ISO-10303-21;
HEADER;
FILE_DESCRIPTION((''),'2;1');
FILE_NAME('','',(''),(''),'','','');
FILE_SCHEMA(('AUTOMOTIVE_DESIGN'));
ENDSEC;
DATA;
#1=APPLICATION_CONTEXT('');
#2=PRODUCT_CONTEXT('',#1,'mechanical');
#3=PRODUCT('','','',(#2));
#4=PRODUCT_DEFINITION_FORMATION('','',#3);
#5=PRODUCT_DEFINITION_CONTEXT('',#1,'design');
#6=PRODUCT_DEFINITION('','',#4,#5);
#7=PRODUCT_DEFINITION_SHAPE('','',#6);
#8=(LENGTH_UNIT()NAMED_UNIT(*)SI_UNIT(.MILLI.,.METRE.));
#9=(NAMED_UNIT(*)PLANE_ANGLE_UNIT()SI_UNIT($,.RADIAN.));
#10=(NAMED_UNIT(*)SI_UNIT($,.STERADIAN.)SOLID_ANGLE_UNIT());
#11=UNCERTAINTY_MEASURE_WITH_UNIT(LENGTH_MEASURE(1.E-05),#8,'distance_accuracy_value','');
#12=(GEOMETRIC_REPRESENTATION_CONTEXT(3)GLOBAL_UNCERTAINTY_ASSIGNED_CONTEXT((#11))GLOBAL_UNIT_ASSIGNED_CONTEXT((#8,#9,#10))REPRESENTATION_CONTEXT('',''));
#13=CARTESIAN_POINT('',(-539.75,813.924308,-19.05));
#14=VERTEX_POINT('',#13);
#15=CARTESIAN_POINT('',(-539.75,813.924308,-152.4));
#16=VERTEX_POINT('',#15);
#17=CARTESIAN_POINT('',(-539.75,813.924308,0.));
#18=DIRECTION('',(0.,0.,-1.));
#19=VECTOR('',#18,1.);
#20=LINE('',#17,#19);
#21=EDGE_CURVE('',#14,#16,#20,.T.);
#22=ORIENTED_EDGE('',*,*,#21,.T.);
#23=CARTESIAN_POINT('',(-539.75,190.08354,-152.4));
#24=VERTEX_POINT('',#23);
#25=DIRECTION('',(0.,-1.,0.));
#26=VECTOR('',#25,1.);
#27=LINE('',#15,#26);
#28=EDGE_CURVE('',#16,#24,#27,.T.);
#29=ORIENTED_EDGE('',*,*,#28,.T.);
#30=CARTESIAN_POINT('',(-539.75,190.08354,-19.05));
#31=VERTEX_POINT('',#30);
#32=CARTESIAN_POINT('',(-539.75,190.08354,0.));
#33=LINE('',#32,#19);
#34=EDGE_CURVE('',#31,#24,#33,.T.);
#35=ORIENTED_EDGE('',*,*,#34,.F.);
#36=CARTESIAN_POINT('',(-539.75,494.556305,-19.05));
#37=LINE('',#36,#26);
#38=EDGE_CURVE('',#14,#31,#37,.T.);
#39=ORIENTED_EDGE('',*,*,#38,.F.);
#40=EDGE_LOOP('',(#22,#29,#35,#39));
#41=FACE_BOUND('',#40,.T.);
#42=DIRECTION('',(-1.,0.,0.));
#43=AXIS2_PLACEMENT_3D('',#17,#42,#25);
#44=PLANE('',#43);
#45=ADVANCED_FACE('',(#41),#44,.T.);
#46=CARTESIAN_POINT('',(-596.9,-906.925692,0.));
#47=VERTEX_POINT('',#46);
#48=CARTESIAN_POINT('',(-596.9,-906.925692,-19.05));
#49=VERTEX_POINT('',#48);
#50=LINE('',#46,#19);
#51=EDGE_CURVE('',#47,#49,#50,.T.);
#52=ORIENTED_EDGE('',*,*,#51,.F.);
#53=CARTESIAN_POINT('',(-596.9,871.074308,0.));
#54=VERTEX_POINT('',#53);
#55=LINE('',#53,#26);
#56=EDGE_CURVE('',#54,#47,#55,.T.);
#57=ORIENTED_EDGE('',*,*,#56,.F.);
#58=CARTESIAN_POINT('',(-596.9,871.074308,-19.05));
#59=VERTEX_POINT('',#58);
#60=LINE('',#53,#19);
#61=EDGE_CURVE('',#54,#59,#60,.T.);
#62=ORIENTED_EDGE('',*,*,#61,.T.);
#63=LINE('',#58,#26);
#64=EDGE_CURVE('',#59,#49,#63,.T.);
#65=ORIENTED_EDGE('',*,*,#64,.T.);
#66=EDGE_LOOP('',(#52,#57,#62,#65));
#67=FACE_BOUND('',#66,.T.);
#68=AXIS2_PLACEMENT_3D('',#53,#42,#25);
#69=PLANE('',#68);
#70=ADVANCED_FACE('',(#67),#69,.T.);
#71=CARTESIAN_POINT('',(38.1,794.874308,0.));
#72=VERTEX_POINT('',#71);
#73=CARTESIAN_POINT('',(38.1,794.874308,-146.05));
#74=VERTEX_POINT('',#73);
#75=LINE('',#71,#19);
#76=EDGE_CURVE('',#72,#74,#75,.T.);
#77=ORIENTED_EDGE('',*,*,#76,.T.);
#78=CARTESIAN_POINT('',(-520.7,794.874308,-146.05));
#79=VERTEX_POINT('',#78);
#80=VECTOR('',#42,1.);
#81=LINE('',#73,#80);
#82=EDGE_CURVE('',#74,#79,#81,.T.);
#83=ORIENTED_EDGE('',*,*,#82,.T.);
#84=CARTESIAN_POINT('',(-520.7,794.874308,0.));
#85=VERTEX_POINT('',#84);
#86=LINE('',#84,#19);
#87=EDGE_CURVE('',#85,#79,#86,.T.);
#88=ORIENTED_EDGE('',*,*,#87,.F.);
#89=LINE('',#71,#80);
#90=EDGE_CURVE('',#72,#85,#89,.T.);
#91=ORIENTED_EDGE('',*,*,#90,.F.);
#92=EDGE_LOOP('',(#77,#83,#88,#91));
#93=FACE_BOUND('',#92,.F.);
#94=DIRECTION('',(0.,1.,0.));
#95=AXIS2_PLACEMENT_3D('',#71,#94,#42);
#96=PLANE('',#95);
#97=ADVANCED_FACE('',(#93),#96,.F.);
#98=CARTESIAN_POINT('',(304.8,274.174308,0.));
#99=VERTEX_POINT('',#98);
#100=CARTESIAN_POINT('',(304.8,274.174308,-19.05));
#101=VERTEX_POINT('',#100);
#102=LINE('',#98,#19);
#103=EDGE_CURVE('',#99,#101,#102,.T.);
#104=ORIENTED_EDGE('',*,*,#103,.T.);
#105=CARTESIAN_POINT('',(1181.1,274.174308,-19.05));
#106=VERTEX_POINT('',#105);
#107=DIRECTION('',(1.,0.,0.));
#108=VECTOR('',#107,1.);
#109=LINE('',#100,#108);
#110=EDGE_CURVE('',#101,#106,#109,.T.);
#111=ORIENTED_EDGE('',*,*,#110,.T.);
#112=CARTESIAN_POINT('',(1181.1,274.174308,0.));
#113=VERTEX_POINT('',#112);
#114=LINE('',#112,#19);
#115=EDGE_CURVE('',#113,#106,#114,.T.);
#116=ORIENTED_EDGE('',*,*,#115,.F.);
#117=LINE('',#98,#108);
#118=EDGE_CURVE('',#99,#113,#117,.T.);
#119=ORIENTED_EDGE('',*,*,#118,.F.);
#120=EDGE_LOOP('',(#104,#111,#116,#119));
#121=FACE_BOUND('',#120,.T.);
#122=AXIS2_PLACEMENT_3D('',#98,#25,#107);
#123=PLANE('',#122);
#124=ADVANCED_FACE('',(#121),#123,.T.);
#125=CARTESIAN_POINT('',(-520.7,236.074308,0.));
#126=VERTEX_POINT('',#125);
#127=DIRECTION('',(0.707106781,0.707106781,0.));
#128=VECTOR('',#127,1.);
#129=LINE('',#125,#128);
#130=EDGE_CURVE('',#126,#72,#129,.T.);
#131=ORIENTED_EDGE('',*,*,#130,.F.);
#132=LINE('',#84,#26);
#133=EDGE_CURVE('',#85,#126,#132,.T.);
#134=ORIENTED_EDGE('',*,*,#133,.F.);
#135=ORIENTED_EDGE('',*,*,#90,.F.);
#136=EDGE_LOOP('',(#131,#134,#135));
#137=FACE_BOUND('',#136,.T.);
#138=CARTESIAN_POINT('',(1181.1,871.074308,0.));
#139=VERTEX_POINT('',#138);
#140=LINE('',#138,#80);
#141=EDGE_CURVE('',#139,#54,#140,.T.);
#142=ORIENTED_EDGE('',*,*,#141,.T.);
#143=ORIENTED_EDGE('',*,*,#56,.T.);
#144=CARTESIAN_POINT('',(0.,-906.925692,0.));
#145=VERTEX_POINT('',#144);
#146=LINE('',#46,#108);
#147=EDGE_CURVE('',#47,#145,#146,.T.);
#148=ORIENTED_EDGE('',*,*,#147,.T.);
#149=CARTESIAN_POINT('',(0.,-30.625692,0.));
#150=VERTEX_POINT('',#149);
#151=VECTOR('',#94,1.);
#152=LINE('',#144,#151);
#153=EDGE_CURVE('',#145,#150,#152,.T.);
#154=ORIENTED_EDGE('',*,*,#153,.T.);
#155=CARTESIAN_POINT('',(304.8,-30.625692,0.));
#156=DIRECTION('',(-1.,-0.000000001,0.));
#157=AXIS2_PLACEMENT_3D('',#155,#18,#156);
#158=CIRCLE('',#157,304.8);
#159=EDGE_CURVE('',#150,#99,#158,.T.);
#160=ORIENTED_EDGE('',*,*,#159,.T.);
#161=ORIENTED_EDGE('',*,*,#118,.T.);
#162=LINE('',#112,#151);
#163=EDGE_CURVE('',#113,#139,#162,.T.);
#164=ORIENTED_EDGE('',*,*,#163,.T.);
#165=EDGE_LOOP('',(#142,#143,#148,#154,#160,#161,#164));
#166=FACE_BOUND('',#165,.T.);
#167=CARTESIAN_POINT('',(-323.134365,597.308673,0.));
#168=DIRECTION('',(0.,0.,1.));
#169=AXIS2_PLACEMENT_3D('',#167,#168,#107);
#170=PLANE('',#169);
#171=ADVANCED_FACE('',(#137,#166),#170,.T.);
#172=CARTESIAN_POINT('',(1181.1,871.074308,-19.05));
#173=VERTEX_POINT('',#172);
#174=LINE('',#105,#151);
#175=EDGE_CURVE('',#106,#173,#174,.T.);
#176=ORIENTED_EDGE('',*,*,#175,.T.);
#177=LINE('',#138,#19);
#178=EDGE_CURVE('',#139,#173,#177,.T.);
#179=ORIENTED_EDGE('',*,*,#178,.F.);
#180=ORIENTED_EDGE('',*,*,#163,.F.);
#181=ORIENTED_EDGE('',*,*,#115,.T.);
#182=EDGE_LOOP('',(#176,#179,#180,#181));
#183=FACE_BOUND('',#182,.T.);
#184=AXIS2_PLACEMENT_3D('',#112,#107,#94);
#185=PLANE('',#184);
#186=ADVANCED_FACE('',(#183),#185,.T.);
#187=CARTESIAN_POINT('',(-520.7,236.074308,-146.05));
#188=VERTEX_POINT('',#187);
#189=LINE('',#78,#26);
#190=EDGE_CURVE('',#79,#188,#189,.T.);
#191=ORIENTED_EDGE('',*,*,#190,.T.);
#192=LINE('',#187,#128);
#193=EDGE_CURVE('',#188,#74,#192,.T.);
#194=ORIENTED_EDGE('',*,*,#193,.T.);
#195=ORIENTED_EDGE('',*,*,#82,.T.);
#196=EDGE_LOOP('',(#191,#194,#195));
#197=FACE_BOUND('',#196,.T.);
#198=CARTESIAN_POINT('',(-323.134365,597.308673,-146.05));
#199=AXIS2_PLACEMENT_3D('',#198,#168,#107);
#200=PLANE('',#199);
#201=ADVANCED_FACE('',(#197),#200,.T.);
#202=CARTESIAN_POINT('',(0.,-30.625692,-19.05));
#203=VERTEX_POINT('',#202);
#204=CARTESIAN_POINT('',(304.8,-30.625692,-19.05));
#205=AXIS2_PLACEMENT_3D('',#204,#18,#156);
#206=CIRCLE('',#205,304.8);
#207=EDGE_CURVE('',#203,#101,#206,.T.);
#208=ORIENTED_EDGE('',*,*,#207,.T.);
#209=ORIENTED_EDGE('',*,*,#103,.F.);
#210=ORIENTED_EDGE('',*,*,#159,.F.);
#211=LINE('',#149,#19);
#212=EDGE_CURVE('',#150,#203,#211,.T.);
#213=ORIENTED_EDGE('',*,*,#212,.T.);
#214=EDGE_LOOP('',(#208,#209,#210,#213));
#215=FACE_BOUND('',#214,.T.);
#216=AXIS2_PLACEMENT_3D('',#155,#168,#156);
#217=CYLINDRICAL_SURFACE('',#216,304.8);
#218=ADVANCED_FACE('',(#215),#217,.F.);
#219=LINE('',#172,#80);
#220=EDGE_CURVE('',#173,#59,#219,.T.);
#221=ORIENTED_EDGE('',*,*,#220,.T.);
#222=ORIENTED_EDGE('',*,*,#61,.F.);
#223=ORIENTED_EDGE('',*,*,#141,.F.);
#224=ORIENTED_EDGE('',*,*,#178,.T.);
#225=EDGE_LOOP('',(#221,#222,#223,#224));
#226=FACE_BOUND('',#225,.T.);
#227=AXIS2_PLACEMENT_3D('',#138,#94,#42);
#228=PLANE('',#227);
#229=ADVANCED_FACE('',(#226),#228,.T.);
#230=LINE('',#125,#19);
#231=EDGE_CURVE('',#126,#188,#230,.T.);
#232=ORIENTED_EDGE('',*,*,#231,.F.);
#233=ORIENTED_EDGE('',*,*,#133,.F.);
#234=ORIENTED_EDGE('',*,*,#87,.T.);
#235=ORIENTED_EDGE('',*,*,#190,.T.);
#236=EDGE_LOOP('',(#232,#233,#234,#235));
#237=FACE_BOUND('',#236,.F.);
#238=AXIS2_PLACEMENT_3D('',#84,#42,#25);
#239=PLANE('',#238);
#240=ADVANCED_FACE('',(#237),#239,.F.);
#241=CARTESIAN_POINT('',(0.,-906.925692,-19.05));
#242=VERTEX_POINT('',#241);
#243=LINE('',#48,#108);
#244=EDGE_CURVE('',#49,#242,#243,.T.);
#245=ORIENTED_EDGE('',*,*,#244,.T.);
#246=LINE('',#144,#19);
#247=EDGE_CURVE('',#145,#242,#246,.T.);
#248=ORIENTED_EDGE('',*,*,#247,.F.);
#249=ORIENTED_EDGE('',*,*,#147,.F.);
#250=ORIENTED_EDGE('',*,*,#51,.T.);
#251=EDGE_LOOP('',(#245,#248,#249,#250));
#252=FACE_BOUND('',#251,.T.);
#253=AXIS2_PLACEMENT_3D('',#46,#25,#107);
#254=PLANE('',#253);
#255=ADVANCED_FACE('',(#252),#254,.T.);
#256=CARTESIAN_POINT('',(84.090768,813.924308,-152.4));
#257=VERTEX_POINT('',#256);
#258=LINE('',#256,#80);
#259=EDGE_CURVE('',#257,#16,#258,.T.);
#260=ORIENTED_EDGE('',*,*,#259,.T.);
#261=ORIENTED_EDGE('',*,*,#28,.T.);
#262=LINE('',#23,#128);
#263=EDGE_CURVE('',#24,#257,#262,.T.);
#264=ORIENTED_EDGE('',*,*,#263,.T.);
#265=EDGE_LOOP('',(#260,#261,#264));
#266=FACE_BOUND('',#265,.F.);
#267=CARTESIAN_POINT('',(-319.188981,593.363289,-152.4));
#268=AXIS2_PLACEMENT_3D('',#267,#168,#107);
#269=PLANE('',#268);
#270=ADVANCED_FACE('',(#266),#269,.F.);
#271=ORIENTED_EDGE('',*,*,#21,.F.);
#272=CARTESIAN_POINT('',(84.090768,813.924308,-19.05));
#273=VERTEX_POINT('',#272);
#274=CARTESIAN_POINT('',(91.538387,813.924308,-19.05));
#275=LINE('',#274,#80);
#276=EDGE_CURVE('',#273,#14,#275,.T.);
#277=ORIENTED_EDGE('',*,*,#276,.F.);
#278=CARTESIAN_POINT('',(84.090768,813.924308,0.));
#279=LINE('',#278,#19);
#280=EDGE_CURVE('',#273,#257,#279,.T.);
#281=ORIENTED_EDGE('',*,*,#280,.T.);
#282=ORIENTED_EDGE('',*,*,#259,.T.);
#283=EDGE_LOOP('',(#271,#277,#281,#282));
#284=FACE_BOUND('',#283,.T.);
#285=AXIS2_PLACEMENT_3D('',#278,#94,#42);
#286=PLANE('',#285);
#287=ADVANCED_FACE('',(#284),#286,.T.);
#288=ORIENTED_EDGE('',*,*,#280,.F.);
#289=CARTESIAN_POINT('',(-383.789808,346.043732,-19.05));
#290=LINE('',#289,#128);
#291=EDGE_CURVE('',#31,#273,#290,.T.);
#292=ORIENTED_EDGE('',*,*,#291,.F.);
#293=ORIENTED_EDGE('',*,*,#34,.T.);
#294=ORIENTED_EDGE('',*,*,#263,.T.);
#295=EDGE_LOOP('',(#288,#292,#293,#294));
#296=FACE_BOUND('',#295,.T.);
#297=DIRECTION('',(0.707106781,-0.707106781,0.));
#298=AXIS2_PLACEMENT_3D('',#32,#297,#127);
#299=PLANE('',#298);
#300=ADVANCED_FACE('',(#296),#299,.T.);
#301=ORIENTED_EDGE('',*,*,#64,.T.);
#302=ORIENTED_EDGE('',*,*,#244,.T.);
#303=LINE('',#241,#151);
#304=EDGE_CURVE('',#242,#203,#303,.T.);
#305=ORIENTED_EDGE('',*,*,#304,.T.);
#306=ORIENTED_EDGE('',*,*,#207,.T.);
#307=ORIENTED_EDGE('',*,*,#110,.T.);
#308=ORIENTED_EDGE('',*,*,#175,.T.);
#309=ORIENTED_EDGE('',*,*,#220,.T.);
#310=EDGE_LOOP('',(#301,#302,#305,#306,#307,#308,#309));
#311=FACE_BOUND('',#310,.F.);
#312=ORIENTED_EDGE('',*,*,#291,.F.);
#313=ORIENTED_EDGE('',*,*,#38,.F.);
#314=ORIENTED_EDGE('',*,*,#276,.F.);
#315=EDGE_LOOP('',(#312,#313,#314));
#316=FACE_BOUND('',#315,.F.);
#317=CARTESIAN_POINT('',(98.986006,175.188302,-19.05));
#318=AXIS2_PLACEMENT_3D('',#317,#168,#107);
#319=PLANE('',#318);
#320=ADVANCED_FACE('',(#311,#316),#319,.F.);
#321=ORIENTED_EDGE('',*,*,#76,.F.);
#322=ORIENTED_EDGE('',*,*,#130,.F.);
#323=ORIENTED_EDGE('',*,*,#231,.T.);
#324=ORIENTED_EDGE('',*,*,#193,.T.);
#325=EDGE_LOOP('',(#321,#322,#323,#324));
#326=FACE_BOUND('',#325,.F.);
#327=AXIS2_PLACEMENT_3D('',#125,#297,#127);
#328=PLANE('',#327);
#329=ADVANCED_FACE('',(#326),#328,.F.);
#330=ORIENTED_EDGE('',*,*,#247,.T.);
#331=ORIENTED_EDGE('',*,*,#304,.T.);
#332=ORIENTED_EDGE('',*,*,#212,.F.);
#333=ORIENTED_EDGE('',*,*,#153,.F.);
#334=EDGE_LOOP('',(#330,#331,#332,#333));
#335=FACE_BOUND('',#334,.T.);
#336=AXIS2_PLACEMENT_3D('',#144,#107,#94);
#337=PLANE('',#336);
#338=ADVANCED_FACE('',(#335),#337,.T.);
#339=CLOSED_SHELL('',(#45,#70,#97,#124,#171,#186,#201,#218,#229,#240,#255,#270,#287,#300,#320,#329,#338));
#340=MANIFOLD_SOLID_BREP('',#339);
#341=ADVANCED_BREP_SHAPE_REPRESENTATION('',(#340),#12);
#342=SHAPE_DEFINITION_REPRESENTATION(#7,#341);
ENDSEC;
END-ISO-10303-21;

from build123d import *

# Parameters (mm, degrees)
F1_DEPTH = 19.05
F2_DEPTH = 152.4
F3_DEPTH = 152.4
F4_DEPTH = 146.05


with BuildPart() as f1:
    # F0 (on Top) → F1 (new body)
    with BuildSketch(Plane.XY):
        with BuildLine():
            Line((-596.9, 871.074308), (-596.9, -906.925692))
            Line((-596.9, -906.925692), (0, -906.925692))
            Line((0, -906.925692), (0, -30.625692))
            ThreePointArc((0, -30.625692), (89.273853, 184.900455), (304.8, 274.174308))
            Line((304.8, 274.174308), (1181.1, 274.174308))
            Line((1181.1, 274.174308), (1181.1, 871.074308))
            Line((1181.1, 871.074308), (-596.9, 871.074308))
        make_face()
        Polygon((-539.75, 190.08354), (-539.75, 813.924308), (84.090768, 813.924308), align=None, mode=Mode.SUBTRACT)
        Polygon((-520.7, 794.874308), (-520.7, 236.074308), (38.1, 794.874308), align=None)
        Polygon((84.090768, 813.924308), (-539.75, 813.924308), (-539.75, 190.08354), align=None)
        Polygon((38.1, 794.874308), (-520.7, 236.074308), (-520.7, 794.874308), align=None, mode=Mode.SUBTRACT)
    extrude(amount=-F1_DEPTH)

    # F0 (on Top) → F2 (join)
    with BuildSketch(Plane.XY):
        Polygon((84.090768, 813.924308), (-539.75, 813.924308), (-539.75, 190.08354), align=None)
        Polygon((38.1, 794.874308), (-520.7, 236.074308), (-520.7, 794.874308), align=None, mode=Mode.SUBTRACT)
    extrude(amount=-F2_DEPTH)

    # F0 (on Top) → F3 (join)
    with BuildSketch(Plane.XY):
        Polygon((-520.7, 794.874308), (-520.7, 236.074308), (38.1, 794.874308), align=None)
    extrude(amount=-F3_DEPTH)

    # F0 (on Top) → F4 (cut)
    with BuildSketch(Plane.XY):
        Polygon((-520.7, 794.874308), (-520.7, 236.074308), (38.1, 794.874308), align=None)
    extrude(amount=-F4_DEPTH, mode=Mode.SUBTRACT)


solid = f1.part
